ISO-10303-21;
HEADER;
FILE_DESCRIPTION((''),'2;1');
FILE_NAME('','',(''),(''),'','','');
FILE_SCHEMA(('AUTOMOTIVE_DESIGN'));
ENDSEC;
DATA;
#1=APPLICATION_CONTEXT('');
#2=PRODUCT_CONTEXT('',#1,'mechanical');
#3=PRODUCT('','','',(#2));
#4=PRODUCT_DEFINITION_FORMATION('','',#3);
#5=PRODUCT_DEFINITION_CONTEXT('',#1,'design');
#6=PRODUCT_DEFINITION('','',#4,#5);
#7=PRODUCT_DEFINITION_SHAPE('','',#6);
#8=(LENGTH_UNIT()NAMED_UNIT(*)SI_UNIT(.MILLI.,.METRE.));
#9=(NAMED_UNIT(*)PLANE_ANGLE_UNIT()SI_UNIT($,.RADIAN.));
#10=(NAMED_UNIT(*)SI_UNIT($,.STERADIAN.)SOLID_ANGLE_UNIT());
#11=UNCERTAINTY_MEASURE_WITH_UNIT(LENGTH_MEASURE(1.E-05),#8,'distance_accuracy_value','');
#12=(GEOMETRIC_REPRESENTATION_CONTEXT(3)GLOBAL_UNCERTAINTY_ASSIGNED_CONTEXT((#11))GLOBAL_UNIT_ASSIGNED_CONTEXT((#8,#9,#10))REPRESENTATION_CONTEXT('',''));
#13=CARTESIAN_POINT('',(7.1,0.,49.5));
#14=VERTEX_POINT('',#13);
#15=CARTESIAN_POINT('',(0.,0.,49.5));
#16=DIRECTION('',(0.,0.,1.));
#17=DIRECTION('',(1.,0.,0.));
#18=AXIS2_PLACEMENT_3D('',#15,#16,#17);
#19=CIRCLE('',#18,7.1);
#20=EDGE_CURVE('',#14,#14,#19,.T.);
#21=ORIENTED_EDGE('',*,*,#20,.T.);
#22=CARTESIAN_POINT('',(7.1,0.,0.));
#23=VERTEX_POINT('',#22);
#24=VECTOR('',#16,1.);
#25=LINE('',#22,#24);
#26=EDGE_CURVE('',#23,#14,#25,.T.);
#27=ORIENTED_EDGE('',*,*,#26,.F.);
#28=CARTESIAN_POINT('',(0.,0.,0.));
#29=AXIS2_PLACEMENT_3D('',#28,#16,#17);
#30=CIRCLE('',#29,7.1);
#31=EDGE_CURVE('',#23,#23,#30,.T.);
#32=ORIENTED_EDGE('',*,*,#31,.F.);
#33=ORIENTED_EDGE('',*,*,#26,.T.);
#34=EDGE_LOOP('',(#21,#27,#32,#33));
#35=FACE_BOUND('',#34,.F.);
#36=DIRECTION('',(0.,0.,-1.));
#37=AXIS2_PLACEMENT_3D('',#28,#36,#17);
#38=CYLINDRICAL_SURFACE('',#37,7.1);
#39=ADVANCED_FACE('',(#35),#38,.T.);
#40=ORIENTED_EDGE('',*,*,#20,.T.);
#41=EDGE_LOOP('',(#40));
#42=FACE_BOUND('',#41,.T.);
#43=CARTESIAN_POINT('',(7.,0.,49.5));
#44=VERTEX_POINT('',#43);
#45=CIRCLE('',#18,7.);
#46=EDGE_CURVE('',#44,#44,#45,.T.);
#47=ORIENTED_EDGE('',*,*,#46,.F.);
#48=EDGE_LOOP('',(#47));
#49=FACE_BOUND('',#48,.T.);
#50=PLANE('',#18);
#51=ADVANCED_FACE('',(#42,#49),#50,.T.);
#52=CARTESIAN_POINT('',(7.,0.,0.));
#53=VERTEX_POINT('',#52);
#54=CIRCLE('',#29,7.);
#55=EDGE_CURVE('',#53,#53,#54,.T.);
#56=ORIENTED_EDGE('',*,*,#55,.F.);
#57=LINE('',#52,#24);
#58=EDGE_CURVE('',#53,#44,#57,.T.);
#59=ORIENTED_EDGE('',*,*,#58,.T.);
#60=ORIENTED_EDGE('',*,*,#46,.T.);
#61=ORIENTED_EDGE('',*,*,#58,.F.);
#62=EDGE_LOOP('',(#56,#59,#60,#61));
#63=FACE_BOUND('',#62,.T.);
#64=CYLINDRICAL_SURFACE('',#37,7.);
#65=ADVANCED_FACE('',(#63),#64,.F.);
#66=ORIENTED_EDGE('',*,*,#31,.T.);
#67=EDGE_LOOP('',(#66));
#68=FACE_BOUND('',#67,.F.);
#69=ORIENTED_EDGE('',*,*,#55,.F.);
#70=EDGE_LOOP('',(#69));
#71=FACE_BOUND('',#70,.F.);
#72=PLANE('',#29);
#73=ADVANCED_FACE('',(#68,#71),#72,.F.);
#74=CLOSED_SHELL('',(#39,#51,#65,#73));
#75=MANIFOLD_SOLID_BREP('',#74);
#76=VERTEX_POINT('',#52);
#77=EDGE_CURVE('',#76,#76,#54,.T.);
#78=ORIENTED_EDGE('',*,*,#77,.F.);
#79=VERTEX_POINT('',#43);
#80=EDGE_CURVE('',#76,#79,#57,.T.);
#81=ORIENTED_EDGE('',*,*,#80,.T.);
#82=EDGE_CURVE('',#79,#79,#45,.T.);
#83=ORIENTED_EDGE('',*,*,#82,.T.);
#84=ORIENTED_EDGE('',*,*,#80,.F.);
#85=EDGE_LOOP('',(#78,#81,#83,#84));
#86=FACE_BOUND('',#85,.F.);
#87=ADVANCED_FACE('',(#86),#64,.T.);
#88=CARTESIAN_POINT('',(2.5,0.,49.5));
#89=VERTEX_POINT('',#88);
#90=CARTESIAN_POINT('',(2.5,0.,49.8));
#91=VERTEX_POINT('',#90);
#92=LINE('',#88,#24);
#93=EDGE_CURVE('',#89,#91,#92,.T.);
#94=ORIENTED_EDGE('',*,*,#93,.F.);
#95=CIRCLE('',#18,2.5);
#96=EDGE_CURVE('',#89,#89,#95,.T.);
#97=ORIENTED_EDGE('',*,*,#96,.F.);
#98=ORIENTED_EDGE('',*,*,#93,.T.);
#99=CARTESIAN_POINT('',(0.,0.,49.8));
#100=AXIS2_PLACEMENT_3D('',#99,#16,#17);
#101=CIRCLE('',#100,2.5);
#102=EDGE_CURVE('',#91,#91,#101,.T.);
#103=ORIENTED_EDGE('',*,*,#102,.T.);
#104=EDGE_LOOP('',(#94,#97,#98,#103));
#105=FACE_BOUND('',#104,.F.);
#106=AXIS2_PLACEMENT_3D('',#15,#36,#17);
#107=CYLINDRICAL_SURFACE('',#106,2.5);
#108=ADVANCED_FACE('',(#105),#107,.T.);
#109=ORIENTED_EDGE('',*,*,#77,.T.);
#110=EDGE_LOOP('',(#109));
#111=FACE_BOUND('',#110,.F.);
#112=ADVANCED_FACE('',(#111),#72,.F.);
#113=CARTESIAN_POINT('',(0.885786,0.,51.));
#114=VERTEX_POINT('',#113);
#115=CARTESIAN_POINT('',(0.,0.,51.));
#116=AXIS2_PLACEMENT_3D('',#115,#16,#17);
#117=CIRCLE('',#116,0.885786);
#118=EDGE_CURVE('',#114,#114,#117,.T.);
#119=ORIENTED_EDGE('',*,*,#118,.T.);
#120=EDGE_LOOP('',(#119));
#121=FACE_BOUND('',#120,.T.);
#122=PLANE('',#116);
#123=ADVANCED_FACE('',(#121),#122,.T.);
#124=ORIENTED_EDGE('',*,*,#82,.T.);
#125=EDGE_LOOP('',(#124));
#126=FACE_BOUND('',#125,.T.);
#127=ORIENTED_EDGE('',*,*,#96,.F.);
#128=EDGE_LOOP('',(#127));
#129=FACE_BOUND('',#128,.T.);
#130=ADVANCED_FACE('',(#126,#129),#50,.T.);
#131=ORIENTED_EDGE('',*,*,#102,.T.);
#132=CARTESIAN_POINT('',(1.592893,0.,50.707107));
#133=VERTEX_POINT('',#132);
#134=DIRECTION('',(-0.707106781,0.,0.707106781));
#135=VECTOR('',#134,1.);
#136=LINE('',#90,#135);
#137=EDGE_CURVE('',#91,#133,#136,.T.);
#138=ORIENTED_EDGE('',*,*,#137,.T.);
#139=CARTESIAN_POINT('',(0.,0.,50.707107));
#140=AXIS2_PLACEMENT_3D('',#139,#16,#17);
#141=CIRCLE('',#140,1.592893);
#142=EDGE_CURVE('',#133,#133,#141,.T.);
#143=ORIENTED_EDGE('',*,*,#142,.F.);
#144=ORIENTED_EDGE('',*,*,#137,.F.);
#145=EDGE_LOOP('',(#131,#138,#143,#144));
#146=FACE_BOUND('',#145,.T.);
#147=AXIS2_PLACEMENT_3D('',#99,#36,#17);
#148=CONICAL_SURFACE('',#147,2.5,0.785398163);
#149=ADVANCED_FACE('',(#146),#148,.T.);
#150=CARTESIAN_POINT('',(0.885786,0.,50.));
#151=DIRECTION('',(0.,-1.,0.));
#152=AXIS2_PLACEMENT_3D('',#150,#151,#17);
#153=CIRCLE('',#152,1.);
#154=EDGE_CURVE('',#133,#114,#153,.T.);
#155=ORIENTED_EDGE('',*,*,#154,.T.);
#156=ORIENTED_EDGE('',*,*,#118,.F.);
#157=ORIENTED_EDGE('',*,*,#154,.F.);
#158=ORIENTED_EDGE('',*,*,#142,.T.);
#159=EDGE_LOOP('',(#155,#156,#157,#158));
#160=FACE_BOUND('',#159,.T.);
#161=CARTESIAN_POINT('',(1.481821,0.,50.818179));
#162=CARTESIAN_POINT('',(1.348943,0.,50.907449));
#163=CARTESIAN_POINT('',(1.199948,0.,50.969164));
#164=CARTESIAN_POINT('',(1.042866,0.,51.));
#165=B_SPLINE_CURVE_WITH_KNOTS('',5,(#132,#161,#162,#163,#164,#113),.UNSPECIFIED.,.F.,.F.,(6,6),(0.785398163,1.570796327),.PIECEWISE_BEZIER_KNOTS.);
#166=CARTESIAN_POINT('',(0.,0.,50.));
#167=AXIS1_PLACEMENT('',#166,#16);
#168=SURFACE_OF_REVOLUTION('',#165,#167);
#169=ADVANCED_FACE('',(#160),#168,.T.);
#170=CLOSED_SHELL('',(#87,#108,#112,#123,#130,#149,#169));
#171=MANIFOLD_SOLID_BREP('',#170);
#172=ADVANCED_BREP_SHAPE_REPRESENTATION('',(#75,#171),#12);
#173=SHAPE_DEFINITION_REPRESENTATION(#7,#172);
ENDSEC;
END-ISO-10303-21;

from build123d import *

# Parameters (mm, degrees)
SKETCH_R      = 7
PAD_DEPTH     = 49.5
SKETCH001_R   = 2.5
PAD001_DEPTH  = 1.5
CHAMFER_SIZE  = 1.2
FILLET_R      = 1
SKETCH002_R   = 7.1
SKETCH002_R_2 = 7
PAD002_DEPTH  = 49.5


with BuildPart() as mainbody:
    # Sketch → Pad (new body)
    with BuildSketch(Plane.XY):
        Circle(SKETCH_R)
    extrude(amount=PAD_DEPTH)

    # Sketch001 (on Face3 of Pad) → Pad001 (join)
    with BuildSketch(Plane.XY.offset(49.5)):
        Circle(SKETCH001_R)
    extrude(amount=PAD001_DEPTH)

    # Chamfer
    chamfer_edges = [mainbody.edges().sort_by_distance(p)[0] for p in [
        (-2.5, 0, 51),
    ]]
    chamfer(chamfer_edges, length=CHAMFER_SIZE)

    # Fillet
    fillet_edges = [mainbody.edges().sort_by_distance(p)[0] for p in [
        (-1.3, 0, 51),
    ]]
    fillet(fillet_edges, radius=FILLET_R)


with BuildPart() as body001:
    # Sketch002 → Pad002 (new body)
    with BuildSketch(Plane.XY):
        Circle(SKETCH002_R)
        Circle(SKETCH002_R_2, mode=Mode.SUBTRACT)
    extrude(amount=PAD002_DEPTH)


solid = Compound([mainbody.part, body001.part])
